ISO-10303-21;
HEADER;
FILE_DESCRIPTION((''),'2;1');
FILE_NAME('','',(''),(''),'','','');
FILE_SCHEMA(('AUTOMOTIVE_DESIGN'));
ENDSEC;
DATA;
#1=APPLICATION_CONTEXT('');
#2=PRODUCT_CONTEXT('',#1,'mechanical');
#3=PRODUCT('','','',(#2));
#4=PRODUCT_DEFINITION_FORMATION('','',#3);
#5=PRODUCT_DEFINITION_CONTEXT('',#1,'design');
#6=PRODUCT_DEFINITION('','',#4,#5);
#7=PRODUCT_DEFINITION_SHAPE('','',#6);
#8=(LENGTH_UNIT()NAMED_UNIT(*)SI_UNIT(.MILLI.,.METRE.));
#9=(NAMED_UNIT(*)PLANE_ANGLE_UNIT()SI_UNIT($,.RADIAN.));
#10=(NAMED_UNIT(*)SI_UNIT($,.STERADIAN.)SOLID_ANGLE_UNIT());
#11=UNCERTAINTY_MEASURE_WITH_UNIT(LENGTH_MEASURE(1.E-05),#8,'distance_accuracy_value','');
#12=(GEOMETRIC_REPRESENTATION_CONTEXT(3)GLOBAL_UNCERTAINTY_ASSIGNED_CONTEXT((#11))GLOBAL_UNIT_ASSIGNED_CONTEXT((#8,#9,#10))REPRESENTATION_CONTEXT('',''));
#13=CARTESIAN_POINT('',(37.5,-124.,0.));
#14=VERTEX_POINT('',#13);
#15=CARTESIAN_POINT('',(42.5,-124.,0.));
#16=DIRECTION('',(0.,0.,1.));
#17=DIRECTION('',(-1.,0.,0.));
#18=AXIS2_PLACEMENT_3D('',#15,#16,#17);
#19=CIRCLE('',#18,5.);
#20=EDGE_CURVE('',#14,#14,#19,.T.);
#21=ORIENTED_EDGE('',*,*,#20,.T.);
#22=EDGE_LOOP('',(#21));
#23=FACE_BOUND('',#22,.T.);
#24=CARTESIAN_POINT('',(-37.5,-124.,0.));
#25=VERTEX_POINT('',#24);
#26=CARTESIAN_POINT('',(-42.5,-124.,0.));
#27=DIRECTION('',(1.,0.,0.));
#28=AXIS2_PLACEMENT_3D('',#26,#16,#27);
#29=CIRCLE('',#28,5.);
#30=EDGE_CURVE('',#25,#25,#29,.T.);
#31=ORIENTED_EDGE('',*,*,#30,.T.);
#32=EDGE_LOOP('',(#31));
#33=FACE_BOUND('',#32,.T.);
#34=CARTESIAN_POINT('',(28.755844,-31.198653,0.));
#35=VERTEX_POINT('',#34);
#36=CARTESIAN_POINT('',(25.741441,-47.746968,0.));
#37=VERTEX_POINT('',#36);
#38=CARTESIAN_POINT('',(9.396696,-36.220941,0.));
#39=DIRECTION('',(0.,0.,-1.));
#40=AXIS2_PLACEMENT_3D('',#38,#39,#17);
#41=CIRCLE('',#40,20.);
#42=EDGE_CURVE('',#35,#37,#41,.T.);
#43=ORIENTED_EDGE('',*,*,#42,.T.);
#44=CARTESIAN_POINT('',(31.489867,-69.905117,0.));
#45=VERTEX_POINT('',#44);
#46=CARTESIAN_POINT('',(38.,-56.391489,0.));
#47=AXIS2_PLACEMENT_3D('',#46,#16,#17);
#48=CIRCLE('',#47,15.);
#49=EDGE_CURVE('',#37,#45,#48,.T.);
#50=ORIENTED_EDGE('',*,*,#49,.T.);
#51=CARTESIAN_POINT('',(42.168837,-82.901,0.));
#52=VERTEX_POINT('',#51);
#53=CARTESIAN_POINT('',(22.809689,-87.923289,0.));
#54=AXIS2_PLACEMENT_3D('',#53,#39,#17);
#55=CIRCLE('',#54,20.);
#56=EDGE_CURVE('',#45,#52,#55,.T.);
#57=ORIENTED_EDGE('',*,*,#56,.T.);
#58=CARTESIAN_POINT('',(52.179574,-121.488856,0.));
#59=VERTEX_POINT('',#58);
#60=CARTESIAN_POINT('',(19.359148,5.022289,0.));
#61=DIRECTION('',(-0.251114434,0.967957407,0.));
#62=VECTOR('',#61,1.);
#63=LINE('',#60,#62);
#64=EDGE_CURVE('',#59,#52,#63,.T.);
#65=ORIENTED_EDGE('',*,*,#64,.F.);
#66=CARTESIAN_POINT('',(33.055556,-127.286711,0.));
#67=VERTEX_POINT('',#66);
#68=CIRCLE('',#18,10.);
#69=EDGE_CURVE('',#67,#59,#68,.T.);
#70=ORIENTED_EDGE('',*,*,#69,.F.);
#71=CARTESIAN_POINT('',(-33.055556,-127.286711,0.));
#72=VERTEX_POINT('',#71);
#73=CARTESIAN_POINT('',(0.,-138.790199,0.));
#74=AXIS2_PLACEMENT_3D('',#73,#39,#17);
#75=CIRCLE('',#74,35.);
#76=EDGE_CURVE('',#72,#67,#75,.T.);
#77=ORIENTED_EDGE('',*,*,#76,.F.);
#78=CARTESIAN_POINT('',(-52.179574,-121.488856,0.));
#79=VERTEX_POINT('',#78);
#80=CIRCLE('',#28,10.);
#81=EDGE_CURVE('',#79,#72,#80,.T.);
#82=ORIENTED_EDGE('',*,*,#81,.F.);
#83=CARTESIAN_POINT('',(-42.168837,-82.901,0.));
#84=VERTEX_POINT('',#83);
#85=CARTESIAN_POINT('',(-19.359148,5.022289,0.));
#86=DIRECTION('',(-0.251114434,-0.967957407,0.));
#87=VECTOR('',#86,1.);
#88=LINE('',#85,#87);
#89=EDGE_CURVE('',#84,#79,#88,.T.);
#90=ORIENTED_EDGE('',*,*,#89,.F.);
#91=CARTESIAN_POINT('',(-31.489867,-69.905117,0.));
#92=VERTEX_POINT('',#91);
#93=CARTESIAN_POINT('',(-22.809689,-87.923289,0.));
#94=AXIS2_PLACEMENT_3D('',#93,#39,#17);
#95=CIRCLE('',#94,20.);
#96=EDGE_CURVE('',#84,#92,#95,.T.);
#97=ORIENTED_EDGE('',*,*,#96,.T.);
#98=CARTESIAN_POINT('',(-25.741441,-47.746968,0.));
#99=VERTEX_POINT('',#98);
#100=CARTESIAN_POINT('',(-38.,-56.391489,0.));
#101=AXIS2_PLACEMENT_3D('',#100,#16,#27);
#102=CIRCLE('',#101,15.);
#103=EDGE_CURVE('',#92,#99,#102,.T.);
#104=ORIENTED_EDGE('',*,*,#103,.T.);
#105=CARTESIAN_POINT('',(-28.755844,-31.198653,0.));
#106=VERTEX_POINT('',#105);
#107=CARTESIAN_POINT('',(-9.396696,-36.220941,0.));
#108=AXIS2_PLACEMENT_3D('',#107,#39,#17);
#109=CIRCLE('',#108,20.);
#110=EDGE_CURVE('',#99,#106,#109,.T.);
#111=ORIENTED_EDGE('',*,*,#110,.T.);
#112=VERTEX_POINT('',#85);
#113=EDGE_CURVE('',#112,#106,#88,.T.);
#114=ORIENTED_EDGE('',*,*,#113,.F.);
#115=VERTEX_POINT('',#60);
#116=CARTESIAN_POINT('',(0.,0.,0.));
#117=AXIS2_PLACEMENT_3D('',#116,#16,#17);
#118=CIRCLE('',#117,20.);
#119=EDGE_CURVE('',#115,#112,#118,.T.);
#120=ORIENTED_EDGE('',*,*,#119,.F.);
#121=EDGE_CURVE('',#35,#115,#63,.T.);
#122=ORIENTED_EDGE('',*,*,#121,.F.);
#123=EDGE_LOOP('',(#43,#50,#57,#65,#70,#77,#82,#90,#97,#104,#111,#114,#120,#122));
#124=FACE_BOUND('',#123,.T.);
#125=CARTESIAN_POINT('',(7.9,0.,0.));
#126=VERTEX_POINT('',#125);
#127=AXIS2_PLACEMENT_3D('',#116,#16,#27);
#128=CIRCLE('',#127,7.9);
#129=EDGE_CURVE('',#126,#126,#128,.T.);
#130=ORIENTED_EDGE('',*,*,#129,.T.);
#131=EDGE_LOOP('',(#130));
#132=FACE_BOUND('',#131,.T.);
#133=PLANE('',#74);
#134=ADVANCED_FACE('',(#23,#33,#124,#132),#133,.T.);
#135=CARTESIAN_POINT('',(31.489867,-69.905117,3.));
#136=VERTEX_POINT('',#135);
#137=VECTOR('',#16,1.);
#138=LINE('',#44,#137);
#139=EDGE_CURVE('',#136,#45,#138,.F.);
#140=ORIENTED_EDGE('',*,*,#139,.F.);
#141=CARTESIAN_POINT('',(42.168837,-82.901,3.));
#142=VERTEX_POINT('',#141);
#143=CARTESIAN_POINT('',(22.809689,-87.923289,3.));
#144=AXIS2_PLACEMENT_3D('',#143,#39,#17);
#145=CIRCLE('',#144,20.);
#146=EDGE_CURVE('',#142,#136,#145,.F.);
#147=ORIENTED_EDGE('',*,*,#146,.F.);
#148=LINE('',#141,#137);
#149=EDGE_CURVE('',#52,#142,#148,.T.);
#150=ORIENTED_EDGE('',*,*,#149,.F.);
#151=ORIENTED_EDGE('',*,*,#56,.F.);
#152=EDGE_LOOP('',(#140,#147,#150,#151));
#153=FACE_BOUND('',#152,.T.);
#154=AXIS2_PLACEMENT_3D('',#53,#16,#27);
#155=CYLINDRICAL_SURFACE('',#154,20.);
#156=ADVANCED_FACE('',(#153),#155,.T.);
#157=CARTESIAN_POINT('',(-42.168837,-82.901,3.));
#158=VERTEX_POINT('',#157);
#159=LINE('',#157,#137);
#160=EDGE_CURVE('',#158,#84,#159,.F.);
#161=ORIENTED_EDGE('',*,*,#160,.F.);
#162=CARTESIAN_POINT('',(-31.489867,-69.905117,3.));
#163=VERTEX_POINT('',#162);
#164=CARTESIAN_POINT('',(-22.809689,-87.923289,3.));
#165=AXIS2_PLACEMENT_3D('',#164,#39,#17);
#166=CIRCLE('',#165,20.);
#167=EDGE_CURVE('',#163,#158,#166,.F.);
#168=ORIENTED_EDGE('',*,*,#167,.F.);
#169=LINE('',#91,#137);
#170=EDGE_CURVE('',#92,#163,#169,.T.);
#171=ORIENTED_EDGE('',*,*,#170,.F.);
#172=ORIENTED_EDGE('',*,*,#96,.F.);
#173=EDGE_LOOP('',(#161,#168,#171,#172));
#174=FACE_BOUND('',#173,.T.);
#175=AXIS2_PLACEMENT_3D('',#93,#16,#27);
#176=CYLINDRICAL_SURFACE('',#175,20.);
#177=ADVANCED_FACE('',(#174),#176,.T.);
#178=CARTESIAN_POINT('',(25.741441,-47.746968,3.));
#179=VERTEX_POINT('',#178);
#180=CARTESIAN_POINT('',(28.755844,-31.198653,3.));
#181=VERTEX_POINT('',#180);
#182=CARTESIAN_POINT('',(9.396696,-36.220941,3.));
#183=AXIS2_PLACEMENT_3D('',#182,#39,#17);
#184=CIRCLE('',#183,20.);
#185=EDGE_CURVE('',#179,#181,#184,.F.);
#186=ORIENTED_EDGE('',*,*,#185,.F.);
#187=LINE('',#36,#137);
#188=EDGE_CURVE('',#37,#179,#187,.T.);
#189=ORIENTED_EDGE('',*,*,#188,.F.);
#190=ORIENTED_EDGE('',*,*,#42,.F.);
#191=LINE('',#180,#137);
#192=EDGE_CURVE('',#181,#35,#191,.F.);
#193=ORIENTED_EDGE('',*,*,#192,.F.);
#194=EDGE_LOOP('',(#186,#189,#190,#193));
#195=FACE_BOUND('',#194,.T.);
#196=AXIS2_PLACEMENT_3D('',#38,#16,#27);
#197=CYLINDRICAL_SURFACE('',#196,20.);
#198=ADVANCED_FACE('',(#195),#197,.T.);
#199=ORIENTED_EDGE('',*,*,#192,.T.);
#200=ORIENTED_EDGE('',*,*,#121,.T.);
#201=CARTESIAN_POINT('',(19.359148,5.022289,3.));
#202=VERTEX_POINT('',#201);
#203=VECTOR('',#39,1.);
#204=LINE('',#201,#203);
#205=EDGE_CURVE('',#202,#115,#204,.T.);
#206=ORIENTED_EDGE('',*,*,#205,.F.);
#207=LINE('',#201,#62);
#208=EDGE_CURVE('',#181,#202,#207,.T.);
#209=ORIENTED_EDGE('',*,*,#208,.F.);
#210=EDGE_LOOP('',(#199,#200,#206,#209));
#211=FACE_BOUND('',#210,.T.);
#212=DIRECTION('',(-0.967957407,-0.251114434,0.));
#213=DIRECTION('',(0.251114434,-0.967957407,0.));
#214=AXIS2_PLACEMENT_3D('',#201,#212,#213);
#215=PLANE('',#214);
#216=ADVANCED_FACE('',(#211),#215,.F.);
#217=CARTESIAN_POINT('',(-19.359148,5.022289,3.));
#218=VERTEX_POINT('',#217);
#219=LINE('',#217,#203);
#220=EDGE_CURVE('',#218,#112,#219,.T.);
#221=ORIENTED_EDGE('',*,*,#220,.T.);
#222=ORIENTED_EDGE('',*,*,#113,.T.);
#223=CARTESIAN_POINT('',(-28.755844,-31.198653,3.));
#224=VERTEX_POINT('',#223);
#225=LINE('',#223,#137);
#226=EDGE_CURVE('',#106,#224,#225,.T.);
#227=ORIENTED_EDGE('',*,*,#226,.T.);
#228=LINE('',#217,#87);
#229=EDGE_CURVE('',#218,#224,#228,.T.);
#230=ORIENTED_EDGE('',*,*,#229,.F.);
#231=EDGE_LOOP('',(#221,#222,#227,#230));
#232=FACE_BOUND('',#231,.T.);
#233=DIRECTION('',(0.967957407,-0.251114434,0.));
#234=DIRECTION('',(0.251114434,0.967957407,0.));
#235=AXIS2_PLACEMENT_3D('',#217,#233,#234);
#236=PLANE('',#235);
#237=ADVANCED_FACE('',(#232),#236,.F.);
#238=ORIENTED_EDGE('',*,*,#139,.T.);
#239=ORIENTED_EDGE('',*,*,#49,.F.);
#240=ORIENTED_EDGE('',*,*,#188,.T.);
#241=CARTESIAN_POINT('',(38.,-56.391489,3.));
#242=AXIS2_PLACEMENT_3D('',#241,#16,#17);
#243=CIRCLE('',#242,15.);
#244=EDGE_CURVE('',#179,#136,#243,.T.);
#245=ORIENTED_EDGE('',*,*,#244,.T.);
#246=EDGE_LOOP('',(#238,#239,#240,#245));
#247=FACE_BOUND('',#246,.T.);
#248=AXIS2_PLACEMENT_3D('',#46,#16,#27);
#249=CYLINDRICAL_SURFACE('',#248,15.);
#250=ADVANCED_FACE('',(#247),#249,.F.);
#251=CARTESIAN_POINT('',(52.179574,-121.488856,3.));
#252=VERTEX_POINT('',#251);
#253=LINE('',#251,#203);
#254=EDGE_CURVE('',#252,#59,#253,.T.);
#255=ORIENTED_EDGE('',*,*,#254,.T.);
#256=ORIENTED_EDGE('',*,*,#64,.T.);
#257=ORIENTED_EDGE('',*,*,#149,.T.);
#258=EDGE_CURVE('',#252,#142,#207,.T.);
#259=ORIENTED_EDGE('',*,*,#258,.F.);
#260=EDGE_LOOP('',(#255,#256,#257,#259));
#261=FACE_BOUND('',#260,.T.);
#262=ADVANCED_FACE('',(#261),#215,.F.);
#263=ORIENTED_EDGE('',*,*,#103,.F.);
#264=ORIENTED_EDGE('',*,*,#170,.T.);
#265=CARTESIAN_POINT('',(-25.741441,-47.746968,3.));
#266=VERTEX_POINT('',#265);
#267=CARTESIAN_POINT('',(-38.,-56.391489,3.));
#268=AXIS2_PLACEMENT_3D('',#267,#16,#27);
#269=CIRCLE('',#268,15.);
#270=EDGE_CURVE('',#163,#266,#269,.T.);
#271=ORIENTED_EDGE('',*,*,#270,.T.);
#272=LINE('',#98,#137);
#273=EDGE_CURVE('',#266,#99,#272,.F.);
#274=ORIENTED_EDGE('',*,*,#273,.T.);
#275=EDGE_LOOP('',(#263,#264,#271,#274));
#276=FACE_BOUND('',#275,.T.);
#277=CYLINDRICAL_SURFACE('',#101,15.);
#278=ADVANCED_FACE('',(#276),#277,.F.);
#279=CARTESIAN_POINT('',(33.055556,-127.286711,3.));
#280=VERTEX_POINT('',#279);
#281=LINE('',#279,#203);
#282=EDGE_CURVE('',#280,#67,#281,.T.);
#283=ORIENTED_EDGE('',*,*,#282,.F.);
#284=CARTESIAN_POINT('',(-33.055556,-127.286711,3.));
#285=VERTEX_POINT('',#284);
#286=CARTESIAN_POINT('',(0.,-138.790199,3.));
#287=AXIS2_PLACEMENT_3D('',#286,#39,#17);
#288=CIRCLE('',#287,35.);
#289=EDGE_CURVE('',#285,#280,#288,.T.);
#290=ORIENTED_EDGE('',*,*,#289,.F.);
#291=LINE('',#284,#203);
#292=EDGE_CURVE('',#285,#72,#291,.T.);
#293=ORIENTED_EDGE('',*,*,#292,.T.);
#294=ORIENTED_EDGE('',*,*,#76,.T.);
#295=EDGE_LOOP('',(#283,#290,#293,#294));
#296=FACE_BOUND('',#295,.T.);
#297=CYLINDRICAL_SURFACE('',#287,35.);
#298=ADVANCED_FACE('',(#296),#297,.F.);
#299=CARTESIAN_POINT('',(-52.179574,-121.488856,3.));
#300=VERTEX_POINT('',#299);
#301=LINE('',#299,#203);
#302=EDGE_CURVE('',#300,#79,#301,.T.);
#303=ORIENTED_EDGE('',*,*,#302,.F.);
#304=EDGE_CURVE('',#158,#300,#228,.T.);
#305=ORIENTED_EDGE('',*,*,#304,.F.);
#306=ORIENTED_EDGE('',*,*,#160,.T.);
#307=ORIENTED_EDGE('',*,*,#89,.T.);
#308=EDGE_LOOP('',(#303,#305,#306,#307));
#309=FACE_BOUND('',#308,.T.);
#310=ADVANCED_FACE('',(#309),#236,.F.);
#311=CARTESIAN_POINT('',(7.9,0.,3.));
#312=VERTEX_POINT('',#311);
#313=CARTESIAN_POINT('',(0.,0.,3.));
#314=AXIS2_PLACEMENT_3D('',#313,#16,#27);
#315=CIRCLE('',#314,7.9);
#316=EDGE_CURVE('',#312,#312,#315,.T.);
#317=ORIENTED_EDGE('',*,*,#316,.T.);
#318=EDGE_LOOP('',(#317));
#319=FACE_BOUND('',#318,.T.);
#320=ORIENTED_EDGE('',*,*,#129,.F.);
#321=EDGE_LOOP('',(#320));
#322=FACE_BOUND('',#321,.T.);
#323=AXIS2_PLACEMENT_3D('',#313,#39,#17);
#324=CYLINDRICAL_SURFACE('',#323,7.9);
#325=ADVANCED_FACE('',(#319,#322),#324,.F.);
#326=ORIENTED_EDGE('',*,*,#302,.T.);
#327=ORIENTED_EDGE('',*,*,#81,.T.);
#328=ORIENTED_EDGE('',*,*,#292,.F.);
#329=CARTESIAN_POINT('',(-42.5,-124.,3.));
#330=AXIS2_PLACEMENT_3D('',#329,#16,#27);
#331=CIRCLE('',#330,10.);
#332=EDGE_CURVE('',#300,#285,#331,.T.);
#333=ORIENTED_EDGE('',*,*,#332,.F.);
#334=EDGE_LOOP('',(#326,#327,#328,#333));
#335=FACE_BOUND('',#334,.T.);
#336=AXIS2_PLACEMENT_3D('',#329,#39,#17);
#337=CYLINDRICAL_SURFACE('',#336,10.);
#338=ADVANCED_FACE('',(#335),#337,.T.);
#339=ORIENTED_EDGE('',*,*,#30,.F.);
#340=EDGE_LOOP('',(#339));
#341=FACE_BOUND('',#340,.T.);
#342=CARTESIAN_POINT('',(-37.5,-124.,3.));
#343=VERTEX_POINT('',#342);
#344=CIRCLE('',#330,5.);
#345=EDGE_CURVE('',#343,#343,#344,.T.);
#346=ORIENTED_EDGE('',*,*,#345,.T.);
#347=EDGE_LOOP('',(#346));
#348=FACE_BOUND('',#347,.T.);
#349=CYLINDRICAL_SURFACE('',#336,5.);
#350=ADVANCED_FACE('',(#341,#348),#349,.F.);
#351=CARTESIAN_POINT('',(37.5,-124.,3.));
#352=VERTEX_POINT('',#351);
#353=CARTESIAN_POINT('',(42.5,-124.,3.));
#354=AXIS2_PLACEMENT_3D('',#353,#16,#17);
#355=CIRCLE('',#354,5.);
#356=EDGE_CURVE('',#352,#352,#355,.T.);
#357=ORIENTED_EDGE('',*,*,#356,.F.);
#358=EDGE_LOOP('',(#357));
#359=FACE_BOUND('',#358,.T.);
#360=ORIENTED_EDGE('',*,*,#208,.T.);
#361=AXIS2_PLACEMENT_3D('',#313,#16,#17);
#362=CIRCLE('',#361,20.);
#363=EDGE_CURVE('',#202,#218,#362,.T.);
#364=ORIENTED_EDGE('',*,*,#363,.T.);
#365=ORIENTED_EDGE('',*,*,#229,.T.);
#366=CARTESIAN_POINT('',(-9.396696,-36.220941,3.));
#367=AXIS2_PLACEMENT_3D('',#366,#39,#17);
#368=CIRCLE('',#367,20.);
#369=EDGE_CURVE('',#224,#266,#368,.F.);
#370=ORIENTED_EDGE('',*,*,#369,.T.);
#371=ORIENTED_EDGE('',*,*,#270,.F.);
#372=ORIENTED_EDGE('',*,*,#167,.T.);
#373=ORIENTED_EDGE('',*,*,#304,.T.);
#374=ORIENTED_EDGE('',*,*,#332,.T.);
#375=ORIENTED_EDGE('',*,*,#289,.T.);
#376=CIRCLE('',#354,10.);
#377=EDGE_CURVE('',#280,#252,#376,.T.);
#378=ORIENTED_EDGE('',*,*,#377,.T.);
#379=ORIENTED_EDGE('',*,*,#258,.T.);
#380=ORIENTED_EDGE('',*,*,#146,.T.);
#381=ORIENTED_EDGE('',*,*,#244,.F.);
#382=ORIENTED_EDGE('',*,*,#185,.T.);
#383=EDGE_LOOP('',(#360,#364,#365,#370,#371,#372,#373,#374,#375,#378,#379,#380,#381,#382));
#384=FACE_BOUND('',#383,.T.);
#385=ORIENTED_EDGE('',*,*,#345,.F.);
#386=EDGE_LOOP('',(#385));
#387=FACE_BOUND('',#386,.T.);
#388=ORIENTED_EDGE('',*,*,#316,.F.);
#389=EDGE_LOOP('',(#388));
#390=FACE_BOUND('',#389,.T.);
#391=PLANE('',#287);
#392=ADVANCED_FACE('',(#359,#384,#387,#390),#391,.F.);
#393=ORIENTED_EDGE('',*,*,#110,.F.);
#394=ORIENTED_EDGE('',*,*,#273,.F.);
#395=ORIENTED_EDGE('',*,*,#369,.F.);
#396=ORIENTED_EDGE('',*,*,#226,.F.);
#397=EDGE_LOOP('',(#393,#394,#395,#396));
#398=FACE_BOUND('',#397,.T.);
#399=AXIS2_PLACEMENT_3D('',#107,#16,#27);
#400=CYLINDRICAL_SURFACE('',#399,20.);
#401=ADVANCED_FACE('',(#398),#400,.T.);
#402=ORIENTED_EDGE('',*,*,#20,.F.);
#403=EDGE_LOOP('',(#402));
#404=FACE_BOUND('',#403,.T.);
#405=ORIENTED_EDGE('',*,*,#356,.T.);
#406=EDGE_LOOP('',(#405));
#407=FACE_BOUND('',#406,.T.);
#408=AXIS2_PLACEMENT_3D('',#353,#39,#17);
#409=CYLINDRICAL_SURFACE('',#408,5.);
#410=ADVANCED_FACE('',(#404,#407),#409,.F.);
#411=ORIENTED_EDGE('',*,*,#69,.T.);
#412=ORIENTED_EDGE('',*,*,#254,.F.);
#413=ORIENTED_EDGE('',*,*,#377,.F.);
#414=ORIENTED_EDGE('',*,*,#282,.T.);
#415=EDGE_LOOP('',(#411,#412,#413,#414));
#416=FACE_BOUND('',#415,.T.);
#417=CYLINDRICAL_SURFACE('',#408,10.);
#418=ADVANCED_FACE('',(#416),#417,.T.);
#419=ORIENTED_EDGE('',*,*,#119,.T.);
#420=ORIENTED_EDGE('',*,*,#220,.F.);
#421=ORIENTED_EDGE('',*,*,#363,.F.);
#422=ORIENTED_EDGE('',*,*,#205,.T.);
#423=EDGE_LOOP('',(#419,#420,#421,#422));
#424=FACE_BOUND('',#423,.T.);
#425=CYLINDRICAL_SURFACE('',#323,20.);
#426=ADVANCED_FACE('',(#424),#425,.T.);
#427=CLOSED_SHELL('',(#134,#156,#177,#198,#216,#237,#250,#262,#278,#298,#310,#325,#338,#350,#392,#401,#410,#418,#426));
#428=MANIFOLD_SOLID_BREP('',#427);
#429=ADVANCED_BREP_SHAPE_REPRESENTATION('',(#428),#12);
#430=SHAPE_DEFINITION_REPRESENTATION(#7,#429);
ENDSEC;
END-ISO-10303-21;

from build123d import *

# Parameters (mm, degrees)
SKETCH_1_R          = 7.9
SKETCH_1_R_2        = 5
EXTRUDE_1_DEPTH     = 3
SKETCH_3_R          = 15
CUT_EXTRUDE_2_DEPTH = 4
FILLET_1_R          = 20


with BuildPart() as part:
    # Эскиз1 → Бобышка-Вытянуть1 (new body)
    with BuildSketch(Plane.XY):
        with BuildLine():
            Line((-19.359148134, 5.022288675), (-52.179574067, -121.488855663))
            ThreePointArc((-52.179574067, -121.488855663), (-45.401310581, -133.569869221), (-33.055555556, -127.286710991))
            ThreePointArc((-33.055555556, -127.286710991), (0, -103.790199458), (33.055555556, -127.286710991))
            ThreePointArc((33.055555556, -127.286710991), (45.401310581, -133.569869221), (52.179574067, -121.488855663))
            Line((52.179574067, -121.488855663), (19.359148134, 5.022288675))
            ThreePointArc((19.359148134, 5.022288675), (0, 20), (-19.359148134, 5.022288675))
        make_face()
        Circle(SKETCH_1_R, mode=Mode.SUBTRACT)
        with Locations((-42.5, -124)):
            Circle(SKETCH_1_R_2, mode=Mode.SUBTRACT)
        with Locations((42.5, -124)):
            Circle(SKETCH_1_R_2, mode=Mode.SUBTRACT)
    extrude(amount=EXTRUDE_1_DEPTH)

    # Эскиз3 → Вырез-Вытянуть2 (cut, through all)
    with BuildSketch(Plane.XY.offset(3)):
        with Locations((-38, -56.391488719)):
            Circle(SKETCH_3_R)
        with Locations((38, -56.391488719)):
            Circle(SKETCH_3_R)
    extrude(amount=-CUT_EXTRUDE_2_DEPTH, mode=Mode.SUBTRACT)

    # Скругление1
    fillet_1_edges = [part.edges().sort_by_distance(p)[0] for p in [
        (-39.171079178, -71.345704632, 1.5),
        (-31.7536013, -42.753948498, 1.5),
        (31.7536013, -42.753948498, 1.5),
        (39.171079178, -71.345704632, 1.5),
    ]]
    fillet(fillet_1_edges, radius=FILLET_1_R)


solid = part.part
